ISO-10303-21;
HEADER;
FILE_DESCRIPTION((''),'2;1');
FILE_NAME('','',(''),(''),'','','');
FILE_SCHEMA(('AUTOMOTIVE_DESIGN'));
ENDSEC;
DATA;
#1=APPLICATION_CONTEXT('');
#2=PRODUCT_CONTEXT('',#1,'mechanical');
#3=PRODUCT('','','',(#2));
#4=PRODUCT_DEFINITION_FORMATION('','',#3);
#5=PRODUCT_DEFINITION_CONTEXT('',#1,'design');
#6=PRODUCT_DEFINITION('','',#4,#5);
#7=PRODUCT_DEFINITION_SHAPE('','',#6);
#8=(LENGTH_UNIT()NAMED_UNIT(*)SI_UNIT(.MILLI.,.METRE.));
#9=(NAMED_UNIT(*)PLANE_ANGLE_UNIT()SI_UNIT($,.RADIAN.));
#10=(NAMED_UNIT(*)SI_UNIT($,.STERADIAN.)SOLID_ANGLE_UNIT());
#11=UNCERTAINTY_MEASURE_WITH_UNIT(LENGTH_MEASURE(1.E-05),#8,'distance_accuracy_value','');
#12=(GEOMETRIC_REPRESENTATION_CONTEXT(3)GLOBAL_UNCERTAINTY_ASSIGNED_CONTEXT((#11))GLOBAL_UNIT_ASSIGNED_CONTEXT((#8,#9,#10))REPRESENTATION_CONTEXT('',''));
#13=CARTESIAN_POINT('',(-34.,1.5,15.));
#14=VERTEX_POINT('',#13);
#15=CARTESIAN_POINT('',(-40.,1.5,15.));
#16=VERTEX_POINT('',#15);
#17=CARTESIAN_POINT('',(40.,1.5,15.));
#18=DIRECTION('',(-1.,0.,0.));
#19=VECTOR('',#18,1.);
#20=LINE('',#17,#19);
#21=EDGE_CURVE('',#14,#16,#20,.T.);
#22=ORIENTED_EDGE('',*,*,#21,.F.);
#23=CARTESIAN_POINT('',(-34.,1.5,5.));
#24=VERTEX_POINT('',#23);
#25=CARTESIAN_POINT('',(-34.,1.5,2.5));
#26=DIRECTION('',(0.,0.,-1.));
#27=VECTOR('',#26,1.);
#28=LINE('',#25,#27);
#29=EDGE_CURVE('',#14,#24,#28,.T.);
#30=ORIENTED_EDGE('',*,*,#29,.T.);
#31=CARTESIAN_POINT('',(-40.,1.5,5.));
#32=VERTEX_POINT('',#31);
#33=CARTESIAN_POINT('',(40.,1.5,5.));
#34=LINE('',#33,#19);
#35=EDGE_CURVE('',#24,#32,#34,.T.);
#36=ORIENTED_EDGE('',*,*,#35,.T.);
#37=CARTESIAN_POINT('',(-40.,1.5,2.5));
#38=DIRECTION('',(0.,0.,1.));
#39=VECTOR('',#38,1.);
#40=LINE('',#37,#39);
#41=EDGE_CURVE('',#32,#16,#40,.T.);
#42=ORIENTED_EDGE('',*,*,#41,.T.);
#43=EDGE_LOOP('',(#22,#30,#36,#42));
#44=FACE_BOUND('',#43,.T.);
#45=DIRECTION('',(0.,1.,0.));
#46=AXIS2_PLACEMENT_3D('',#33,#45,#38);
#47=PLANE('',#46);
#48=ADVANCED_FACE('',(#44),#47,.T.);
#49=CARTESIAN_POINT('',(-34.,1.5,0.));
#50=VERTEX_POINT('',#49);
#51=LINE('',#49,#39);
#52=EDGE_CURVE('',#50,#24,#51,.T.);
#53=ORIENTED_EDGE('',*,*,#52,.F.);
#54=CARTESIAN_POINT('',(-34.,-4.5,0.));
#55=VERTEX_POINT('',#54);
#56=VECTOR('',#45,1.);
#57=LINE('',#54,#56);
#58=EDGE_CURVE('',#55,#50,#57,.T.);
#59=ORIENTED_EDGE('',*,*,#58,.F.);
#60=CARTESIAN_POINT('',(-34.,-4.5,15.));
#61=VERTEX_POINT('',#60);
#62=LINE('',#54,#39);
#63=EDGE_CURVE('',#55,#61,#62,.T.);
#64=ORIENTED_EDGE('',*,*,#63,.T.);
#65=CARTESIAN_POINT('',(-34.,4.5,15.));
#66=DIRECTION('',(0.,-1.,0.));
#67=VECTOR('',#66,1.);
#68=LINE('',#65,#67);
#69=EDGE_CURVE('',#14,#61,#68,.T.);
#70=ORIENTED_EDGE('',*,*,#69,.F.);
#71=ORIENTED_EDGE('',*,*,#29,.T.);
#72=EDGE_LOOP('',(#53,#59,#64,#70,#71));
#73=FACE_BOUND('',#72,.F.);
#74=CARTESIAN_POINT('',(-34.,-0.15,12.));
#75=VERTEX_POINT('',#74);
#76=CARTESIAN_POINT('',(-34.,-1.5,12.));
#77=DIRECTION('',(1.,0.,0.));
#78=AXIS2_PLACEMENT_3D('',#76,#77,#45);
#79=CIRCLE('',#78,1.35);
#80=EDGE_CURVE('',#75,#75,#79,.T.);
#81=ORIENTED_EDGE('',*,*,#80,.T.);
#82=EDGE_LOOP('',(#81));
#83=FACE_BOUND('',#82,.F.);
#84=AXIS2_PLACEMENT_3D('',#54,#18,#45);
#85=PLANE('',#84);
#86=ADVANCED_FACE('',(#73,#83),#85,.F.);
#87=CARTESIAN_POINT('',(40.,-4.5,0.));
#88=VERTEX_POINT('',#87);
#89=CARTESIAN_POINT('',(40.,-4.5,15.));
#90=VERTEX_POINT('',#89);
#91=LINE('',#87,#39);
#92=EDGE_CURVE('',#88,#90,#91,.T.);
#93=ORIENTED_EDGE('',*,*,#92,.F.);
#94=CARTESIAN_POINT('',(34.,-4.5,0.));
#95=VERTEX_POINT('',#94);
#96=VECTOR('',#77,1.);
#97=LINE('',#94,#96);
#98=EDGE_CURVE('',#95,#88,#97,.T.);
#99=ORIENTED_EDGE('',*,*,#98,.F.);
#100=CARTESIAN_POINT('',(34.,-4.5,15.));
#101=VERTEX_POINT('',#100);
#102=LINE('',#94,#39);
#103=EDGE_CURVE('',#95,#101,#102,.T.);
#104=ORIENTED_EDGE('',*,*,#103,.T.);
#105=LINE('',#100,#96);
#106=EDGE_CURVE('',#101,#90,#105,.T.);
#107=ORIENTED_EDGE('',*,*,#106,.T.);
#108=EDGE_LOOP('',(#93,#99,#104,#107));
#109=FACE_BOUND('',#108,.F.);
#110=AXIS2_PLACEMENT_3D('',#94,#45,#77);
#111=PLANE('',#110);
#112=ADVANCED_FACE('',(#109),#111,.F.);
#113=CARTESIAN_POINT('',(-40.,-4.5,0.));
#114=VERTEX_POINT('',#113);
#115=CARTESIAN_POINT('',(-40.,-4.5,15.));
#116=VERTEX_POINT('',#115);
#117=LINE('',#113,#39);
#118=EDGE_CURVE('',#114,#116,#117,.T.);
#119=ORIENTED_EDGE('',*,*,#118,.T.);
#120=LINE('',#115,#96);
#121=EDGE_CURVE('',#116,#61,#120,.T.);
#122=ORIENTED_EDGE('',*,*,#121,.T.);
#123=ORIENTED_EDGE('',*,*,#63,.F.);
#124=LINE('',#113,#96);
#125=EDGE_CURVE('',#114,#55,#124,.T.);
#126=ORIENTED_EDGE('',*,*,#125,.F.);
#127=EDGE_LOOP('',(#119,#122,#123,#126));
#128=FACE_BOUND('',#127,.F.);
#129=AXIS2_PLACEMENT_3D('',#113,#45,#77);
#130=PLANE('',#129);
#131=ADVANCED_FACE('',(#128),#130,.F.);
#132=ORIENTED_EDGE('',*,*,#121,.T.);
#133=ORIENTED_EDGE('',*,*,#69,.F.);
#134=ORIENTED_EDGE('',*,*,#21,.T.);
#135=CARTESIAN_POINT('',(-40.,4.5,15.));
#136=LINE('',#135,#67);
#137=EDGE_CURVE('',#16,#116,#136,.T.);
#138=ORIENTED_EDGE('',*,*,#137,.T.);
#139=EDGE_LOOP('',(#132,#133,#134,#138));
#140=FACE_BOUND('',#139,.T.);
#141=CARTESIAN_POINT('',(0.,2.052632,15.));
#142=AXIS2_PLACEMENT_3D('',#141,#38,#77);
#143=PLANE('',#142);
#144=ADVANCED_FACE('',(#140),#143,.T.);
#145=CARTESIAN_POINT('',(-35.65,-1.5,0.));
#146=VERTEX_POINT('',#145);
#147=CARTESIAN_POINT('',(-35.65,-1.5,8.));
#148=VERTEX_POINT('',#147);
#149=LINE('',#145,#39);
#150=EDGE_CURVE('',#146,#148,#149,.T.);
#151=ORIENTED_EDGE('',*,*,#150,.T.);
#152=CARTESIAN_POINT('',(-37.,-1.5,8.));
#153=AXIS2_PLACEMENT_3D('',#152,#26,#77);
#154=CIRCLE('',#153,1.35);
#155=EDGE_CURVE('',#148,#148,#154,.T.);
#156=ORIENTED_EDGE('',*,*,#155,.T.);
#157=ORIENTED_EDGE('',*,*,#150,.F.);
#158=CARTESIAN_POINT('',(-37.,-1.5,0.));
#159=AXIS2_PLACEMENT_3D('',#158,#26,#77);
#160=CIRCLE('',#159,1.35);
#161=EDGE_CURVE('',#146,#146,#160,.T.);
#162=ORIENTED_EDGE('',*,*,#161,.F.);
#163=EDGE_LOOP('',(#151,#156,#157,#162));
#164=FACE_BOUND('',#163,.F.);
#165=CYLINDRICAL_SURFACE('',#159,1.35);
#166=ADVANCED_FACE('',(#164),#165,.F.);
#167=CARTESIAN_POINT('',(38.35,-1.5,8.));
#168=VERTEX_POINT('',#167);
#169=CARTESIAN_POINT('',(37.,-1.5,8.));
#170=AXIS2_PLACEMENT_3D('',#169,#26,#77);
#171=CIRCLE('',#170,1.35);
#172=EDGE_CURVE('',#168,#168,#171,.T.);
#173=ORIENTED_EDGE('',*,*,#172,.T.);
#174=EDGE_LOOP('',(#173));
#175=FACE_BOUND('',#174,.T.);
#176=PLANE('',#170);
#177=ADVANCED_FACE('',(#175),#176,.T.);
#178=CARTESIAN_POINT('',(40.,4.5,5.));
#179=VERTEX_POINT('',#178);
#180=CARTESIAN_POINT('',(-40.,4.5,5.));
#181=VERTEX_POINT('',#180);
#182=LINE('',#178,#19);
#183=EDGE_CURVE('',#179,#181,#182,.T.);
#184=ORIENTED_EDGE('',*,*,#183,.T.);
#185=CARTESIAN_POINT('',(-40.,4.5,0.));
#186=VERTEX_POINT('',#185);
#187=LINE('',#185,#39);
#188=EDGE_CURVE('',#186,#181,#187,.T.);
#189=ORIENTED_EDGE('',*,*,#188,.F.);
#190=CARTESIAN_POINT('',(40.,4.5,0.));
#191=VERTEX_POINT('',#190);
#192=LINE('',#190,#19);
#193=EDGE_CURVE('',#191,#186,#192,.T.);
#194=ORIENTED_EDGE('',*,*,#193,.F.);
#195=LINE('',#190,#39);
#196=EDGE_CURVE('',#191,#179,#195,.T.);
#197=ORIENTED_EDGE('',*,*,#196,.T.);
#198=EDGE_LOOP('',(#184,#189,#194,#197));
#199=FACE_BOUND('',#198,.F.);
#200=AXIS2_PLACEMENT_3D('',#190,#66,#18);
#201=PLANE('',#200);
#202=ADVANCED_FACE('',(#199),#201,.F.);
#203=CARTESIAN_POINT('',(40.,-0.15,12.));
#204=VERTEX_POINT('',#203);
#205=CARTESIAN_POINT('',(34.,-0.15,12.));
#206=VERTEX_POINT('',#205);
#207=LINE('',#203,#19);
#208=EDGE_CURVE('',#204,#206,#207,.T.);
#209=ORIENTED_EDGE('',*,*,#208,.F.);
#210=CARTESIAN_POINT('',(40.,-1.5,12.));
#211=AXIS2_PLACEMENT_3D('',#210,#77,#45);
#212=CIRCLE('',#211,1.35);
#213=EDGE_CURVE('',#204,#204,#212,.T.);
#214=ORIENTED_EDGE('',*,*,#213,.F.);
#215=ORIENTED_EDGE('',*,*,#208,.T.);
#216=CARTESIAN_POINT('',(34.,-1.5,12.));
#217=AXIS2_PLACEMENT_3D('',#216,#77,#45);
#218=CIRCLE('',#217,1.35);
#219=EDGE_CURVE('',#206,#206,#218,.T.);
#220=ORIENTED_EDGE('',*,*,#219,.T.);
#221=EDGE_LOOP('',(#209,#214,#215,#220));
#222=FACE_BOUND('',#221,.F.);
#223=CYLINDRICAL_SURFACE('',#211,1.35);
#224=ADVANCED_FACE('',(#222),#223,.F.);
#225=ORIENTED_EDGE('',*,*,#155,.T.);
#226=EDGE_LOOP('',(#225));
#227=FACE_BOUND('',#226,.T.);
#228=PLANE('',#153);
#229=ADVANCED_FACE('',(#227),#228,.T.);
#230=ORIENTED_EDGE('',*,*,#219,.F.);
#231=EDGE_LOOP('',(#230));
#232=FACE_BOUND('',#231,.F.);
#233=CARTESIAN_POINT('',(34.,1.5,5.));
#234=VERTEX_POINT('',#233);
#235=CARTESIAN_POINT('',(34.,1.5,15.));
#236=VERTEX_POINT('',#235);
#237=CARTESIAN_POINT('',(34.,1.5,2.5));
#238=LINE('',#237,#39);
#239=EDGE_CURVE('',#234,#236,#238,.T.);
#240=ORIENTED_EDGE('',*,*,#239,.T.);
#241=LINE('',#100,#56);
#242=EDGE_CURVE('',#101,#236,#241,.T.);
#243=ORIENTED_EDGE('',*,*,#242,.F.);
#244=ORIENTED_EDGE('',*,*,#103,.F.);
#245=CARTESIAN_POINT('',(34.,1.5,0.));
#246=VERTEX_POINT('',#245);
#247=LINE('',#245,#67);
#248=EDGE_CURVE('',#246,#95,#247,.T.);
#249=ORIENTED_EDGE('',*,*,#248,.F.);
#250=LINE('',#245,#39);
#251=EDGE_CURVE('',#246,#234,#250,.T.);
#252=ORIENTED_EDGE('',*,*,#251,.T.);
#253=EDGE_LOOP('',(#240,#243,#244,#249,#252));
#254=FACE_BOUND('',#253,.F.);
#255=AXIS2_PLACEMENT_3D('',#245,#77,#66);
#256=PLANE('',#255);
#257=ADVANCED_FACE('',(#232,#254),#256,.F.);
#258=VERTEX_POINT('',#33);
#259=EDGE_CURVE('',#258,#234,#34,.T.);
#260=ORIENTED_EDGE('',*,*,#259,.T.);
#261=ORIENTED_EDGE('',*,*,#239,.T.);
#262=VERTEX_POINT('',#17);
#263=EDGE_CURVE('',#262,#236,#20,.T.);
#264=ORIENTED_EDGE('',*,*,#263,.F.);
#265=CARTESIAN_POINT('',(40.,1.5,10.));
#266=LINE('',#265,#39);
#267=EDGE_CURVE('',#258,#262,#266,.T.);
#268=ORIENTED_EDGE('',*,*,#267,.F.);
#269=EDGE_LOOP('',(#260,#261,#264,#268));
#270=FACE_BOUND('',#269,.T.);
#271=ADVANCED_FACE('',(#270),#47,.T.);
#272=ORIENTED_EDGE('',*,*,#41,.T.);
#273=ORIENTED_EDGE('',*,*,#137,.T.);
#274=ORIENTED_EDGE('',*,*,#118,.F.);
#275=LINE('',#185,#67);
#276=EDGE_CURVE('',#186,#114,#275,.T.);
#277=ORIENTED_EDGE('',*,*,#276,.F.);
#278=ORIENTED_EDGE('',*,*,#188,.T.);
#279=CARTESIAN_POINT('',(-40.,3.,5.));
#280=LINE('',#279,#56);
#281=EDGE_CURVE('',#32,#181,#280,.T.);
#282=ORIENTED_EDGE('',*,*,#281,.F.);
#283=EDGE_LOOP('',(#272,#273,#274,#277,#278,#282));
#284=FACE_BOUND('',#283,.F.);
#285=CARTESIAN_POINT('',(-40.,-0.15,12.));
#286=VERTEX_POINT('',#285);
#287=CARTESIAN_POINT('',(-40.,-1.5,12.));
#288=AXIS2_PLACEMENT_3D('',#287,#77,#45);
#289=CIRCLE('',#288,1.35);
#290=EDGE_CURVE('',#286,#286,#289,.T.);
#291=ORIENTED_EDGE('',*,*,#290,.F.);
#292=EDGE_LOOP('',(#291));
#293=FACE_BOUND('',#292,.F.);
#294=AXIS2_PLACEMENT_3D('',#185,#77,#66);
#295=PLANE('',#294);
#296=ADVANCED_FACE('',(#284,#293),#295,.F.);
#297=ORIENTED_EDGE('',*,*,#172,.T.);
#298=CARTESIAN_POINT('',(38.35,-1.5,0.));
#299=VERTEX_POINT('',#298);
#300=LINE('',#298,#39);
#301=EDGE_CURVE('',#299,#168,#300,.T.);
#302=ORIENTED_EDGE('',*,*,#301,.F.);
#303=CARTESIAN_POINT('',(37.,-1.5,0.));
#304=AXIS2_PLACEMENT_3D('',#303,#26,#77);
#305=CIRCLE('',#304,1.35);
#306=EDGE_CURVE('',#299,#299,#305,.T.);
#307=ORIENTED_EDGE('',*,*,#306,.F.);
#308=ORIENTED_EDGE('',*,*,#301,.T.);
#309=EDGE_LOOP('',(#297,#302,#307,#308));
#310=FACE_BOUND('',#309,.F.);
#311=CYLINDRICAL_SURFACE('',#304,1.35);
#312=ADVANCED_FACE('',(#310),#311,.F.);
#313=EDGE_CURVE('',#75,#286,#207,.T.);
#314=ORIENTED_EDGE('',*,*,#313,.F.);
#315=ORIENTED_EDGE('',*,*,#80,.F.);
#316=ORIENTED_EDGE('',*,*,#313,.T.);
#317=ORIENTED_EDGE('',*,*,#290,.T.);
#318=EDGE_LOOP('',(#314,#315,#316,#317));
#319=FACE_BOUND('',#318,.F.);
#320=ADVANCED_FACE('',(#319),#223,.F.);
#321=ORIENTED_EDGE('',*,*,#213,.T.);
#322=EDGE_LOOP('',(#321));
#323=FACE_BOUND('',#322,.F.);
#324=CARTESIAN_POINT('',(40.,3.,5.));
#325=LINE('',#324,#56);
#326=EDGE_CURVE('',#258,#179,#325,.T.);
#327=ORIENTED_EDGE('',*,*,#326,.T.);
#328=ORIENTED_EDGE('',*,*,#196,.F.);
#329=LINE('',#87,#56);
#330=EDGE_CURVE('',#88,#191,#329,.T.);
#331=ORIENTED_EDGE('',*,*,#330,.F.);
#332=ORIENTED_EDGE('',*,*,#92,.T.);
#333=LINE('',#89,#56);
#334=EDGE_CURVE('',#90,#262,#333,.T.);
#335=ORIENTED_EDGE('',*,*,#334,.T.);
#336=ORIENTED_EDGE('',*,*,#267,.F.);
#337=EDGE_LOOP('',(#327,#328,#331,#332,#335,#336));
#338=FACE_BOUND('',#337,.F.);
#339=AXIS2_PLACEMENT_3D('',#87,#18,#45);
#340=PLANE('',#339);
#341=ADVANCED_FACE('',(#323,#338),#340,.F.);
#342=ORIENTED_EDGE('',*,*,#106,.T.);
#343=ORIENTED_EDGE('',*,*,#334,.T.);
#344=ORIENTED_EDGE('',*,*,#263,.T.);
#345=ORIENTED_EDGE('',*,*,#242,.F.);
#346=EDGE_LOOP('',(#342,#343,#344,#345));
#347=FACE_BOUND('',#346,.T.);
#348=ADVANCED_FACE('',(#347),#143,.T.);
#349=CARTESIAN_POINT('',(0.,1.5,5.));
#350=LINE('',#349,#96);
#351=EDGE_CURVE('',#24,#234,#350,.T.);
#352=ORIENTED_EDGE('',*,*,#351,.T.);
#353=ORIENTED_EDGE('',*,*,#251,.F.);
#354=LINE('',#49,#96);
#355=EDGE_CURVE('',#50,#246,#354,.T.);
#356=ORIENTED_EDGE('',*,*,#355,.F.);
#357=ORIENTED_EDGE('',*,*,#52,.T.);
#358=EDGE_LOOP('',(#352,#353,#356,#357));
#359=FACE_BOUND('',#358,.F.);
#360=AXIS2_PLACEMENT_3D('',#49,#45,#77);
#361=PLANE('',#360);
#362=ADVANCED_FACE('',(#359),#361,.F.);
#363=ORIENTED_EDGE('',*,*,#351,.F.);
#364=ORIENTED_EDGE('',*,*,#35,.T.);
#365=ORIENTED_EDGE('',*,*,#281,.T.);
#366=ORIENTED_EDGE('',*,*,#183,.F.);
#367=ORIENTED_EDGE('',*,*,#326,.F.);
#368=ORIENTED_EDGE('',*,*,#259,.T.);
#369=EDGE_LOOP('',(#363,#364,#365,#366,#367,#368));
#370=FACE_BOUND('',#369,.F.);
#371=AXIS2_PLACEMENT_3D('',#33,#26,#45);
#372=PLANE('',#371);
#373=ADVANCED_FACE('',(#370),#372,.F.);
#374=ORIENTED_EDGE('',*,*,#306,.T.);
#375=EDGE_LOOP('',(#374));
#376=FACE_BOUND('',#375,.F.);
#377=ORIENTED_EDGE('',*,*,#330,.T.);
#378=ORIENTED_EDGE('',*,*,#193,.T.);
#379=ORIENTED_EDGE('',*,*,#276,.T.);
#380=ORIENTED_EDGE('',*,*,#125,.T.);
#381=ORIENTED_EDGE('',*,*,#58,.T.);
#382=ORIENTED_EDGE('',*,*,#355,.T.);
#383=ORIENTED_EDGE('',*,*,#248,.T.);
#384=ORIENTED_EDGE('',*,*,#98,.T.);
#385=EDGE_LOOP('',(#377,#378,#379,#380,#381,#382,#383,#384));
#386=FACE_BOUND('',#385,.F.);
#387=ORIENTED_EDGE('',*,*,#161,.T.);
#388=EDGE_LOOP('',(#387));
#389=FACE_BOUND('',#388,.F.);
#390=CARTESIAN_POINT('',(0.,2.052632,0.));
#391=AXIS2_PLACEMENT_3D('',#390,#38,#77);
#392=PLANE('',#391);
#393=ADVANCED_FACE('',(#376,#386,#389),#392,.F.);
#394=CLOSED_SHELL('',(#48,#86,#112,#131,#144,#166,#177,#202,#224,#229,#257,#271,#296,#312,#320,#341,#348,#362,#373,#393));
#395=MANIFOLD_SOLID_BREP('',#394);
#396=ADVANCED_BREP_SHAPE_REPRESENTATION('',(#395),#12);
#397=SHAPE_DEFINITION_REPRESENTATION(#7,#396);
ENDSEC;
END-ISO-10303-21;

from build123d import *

# Parameters (mm, degrees)
F1_DEPTH = 15
F2_W     = 68
F2_H     = 3
F3_DEPTH = 10
F4_R     = 1.35
F5_DEPTH = 8
F6_W     = 3
F6_H     = 10
F6_R     = 1.35
F7_DEPTH = 80.001


with BuildPart() as f1:
    # F0 (on Top) → F1 (new body)
    with BuildSketch(Plane.XY):
        Polygon((-40, -4.5), (-34, -4.5), (-34, 1.5), (0, 1.5), (34, 1.5), (34, -4.5), (40, -4.5), (40, 4.5), (34, 4.5), (0, 4.5), (-34, 4.5), (-40, 4.5), align=None)
    extrude(amount=F1_DEPTH)

    # F2 (on face) → F3 (cut)
    with BuildSketch(Plane.XY.offset(15)):
        with Locations((0, 3)):
            Rectangle(F2_W, F2_H)
    extrude(amount=-F3_DEPTH, mode=Mode.SUBTRACT)

    # F4 (on face) → F5 (cut)
    with BuildSketch(Plane(origin=(0, 0, 0), x_dir=(1, 0, 0), z_dir=(0, 0, -1))):
        with Locations((37, 1.5)):
            Circle(F4_R)
        with Locations((-37, 1.5)):
            Circle(F4_R)
    extrude(amount=-F5_DEPTH, mode=Mode.SUBTRACT)

    # F6 (on face) → F7 (cut, through all)
    with BuildSketch(Plane.YZ.offset(40)):
        with Locations((3, 10)):
            Rectangle(F6_W, F6_H)
        with Locations((-1.5, 12)):
            Circle(F6_R)
    extrude(amount=-F7_DEPTH, mode=Mode.SUBTRACT)


solid = f1.part
